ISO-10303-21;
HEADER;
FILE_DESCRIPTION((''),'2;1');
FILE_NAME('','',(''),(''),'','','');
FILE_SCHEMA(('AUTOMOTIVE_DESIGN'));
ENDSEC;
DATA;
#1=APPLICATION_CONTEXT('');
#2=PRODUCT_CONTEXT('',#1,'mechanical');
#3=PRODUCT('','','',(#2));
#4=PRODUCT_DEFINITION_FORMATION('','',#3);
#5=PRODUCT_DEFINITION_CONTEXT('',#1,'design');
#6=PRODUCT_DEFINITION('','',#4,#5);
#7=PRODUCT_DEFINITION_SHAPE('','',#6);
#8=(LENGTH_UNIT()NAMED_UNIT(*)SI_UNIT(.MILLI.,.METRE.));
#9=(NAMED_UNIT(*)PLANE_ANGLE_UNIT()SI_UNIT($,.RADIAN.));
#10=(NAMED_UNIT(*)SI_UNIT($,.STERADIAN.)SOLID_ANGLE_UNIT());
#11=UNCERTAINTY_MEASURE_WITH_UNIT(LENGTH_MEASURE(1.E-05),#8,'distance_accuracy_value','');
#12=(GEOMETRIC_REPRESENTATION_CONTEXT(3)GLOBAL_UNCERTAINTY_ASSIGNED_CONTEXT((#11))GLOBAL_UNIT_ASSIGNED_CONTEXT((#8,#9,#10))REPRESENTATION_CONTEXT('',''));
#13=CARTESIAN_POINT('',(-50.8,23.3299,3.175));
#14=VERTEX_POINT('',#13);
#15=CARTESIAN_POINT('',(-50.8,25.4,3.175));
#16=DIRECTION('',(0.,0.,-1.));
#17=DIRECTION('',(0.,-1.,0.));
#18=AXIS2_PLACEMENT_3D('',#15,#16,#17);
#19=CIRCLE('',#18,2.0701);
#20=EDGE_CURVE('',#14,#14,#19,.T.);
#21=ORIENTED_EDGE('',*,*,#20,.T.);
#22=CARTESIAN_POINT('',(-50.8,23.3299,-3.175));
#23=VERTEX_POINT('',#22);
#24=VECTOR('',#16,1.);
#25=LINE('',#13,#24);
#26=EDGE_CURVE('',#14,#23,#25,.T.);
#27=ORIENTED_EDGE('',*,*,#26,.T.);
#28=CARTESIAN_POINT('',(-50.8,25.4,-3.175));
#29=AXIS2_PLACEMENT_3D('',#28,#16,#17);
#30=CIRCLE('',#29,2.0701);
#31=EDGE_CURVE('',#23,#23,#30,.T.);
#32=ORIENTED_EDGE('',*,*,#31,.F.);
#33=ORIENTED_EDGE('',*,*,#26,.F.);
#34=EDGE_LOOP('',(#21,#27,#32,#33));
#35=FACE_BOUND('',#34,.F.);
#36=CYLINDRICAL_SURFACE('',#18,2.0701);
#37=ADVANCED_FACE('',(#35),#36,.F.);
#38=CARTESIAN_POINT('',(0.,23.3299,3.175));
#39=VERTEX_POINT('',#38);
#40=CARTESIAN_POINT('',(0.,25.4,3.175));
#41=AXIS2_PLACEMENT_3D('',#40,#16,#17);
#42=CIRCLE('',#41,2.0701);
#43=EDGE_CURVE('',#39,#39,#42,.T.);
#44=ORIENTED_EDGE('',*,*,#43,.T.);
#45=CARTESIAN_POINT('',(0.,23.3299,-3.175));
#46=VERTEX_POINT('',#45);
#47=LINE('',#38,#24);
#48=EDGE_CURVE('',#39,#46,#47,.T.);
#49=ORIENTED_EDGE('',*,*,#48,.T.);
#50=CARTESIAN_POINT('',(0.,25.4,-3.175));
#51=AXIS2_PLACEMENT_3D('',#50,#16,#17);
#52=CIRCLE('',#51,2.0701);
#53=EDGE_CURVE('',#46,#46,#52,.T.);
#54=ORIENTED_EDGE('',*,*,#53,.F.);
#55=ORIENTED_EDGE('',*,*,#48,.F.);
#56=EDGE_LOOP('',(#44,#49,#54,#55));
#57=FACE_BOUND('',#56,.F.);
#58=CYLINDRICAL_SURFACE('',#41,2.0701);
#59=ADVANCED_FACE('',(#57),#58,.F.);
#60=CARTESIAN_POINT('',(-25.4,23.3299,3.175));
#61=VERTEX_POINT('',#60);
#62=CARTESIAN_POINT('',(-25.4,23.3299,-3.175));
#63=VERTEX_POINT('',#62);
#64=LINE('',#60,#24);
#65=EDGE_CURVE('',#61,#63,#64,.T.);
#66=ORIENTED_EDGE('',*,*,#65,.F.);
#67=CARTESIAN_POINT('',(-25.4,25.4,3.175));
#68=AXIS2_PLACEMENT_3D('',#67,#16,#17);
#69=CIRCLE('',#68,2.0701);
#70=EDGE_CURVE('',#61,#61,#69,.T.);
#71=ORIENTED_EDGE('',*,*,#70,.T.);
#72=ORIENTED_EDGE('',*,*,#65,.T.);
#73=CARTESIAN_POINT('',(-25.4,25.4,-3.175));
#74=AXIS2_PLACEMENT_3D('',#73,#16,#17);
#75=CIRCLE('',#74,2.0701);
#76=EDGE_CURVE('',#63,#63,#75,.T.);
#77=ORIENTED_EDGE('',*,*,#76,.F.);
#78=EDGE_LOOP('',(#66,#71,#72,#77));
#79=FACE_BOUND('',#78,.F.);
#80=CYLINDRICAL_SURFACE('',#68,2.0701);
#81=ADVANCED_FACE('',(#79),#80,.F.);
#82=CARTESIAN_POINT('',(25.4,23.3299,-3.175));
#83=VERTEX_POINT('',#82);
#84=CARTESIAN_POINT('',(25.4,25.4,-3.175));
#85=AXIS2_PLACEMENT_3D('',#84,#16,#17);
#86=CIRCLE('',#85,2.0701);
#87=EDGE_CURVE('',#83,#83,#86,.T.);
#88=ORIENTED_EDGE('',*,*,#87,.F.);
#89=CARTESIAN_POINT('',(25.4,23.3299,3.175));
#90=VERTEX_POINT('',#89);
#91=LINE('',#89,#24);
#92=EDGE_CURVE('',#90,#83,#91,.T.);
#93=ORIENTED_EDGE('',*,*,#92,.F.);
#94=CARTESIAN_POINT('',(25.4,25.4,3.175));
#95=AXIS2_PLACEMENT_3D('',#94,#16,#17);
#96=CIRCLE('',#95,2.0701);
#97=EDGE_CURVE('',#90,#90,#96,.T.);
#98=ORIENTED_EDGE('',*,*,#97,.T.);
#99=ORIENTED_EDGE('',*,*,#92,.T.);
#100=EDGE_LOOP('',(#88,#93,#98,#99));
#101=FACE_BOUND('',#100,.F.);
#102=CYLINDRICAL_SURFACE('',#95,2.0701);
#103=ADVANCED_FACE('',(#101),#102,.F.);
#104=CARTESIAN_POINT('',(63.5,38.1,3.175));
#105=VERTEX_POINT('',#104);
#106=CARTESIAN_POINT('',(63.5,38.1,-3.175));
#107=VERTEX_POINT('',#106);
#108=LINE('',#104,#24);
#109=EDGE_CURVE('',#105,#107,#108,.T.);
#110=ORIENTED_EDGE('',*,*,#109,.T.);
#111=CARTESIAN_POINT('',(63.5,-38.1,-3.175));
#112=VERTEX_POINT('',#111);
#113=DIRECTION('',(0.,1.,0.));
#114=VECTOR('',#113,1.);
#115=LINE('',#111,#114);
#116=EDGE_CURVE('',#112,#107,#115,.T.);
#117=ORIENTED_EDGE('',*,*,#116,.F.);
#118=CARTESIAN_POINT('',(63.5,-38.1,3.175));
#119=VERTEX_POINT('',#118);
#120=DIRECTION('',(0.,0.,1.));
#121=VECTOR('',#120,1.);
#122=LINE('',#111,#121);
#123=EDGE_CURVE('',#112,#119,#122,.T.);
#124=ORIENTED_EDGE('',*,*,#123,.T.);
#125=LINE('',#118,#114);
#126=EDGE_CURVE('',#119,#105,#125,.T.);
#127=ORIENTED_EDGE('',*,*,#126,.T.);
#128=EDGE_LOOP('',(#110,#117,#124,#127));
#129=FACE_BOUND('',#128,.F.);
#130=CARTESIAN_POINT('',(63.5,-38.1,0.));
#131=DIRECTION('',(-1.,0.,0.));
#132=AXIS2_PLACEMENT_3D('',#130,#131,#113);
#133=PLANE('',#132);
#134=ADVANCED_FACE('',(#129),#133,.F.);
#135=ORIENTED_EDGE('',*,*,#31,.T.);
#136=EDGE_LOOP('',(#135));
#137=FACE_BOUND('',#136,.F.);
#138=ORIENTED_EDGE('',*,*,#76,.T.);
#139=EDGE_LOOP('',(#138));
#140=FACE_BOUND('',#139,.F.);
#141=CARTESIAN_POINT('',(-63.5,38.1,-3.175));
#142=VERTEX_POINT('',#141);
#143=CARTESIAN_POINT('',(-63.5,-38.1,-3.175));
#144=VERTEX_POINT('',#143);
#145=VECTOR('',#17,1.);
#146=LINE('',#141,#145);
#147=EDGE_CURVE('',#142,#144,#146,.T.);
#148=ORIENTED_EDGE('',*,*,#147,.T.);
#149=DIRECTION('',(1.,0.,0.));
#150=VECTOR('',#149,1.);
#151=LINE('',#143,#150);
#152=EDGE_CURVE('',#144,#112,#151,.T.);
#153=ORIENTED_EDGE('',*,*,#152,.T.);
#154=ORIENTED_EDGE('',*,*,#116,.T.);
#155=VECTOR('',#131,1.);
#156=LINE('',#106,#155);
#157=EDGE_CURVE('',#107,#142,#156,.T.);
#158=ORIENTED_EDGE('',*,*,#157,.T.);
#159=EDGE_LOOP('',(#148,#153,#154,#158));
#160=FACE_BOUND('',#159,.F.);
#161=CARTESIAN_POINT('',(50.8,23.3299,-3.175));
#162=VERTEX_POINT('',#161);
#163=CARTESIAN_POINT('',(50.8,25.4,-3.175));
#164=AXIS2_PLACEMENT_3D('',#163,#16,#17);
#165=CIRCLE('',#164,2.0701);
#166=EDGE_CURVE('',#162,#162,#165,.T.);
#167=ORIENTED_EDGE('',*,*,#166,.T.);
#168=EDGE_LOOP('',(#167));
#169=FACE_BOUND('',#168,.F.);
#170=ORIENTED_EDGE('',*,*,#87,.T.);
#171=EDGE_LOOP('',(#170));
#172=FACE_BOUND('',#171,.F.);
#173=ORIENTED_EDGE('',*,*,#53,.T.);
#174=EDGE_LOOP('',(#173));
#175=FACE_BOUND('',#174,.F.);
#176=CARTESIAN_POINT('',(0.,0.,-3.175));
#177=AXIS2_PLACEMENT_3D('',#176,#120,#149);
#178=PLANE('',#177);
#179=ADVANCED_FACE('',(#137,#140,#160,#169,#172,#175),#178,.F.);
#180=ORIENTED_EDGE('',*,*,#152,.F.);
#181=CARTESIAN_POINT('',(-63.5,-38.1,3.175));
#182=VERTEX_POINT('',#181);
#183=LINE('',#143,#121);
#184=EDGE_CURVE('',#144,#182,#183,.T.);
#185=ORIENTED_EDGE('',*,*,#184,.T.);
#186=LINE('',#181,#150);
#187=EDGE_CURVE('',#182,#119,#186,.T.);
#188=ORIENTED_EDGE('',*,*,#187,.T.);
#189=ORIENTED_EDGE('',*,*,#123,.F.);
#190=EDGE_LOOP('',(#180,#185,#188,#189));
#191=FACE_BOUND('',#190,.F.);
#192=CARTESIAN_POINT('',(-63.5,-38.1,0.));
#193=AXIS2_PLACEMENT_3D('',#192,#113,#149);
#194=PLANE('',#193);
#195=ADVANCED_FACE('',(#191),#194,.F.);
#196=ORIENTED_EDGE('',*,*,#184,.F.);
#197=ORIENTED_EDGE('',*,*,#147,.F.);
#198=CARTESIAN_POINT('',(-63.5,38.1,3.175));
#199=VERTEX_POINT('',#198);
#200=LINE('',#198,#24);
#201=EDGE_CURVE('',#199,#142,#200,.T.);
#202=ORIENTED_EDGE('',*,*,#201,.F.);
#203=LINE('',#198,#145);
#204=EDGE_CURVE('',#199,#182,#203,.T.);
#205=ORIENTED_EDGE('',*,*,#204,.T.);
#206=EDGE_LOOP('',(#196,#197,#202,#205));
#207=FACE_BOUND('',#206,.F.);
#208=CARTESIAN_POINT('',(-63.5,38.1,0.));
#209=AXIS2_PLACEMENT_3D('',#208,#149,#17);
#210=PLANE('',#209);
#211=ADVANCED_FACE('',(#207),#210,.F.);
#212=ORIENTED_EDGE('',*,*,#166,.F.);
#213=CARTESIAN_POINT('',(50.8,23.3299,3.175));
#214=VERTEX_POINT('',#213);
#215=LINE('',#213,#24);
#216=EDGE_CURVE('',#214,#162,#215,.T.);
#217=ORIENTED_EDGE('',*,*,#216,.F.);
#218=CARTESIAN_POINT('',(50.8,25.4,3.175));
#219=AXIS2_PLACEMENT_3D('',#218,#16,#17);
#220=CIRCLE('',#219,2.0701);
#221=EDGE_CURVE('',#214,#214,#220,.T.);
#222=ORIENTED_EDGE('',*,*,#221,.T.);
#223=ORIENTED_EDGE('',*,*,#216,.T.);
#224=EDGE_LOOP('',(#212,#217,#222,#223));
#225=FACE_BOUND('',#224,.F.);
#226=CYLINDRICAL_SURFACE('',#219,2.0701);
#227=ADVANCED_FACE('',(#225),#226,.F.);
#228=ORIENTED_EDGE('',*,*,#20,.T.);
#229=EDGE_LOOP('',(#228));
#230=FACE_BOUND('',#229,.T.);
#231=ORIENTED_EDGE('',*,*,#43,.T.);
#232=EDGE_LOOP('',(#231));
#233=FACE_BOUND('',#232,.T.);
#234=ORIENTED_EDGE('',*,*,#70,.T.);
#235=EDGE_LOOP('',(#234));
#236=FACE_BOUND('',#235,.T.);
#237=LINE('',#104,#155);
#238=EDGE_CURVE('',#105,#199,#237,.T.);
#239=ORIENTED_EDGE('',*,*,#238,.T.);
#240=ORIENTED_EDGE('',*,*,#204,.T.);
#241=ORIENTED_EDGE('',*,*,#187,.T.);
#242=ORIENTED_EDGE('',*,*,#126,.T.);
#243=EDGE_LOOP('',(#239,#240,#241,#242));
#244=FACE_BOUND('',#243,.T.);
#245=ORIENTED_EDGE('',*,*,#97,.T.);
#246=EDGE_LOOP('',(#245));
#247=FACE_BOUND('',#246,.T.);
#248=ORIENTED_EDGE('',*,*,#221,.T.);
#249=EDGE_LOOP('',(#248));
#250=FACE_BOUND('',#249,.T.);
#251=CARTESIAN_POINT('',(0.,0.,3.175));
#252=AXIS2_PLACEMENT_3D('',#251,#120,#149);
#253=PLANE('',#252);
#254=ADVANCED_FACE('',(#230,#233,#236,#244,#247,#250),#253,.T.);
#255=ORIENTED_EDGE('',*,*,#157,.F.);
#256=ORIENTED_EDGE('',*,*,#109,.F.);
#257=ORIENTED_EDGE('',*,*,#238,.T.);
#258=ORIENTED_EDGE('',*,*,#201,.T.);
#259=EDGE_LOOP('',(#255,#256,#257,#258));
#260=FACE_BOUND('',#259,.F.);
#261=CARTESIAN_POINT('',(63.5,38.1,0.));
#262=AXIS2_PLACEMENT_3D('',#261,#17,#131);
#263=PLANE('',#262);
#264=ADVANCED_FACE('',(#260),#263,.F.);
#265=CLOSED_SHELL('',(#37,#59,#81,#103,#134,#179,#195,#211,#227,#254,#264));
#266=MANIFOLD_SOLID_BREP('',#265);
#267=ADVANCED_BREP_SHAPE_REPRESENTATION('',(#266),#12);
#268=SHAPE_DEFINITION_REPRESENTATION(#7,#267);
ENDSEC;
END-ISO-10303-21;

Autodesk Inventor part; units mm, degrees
ref_plane "YZ Plane" through (0, 0, 0) normal (1, 0, 0) x (0, 1, 0)
ref_plane "XZ Plane" through (0, 0, 0) normal (0, 1, 0) x (-1, 0, 0)
ref_plane "XY Plane" through (0, 0, 0) normal (0, 0, 1) x (1, 0, 0)
sketch "Sketch1" plane through (0, 0, 0) normal (0, 0, 1) x (1, 0, 0)
  line L0 (-63.5, -38.1) -> (63.5, -38.1)
  line L1 (63.5, -38.1) -> (63.5, 38.1)
  line L2 (63.5, 38.1) -> (-63.5, 38.1)
  line L3 (-63.5, 38.1) -> (-63.5, -38.1)
  line L4 (-63.5, -38.1) -> (63.5, 38.1) construction
  line L5 (63.5, -38.1) -> (-63.5, 38.1) construction
  point P0 (0, 0)
  dimension "d0" = 127
  dimension "d1" = 76.2
extrude "Extrusion1" add sketch "Sketch1" along normal mid plane 6.35
sketch "Sketch2" plane through (0, 0, 3.175) normal (0, 0, 1) x (1, 0, 0)
  line L0 (-63.5, 38.1) -> (-63.5, -38.1) projected
  line L1 (63.5, 38.1) -> (-63.5, 38.1) projected
  point P0 (0, 0)
  point P1 (-50.8, 25.4)
  point P2 (-25.4, 25.4)
  point P3 (0, 25.4)
  point P4 (25.4, 25.4)
  point P5 (50.8, 25.4)
  dimension "d4" = 25.4
  dimension "d5" = 25.4
  dimension "d6" = 25.4
  dimension "d8" = 12.7
  dimension "d9" = 12.7
  dimension "d17" = 25.4
hole "Hole2" at (-50.8, 25.4, 3.175) at (-25.4, 25.4, 3.175) at (0, 25.4, 3.175) at (25.4, 25.4, 3.175) at (50.8, 25.4, 3.175) direction (0, 0, -1) diameter 4.1402 end through all
properties part number "Extender_pulley_gusset"
